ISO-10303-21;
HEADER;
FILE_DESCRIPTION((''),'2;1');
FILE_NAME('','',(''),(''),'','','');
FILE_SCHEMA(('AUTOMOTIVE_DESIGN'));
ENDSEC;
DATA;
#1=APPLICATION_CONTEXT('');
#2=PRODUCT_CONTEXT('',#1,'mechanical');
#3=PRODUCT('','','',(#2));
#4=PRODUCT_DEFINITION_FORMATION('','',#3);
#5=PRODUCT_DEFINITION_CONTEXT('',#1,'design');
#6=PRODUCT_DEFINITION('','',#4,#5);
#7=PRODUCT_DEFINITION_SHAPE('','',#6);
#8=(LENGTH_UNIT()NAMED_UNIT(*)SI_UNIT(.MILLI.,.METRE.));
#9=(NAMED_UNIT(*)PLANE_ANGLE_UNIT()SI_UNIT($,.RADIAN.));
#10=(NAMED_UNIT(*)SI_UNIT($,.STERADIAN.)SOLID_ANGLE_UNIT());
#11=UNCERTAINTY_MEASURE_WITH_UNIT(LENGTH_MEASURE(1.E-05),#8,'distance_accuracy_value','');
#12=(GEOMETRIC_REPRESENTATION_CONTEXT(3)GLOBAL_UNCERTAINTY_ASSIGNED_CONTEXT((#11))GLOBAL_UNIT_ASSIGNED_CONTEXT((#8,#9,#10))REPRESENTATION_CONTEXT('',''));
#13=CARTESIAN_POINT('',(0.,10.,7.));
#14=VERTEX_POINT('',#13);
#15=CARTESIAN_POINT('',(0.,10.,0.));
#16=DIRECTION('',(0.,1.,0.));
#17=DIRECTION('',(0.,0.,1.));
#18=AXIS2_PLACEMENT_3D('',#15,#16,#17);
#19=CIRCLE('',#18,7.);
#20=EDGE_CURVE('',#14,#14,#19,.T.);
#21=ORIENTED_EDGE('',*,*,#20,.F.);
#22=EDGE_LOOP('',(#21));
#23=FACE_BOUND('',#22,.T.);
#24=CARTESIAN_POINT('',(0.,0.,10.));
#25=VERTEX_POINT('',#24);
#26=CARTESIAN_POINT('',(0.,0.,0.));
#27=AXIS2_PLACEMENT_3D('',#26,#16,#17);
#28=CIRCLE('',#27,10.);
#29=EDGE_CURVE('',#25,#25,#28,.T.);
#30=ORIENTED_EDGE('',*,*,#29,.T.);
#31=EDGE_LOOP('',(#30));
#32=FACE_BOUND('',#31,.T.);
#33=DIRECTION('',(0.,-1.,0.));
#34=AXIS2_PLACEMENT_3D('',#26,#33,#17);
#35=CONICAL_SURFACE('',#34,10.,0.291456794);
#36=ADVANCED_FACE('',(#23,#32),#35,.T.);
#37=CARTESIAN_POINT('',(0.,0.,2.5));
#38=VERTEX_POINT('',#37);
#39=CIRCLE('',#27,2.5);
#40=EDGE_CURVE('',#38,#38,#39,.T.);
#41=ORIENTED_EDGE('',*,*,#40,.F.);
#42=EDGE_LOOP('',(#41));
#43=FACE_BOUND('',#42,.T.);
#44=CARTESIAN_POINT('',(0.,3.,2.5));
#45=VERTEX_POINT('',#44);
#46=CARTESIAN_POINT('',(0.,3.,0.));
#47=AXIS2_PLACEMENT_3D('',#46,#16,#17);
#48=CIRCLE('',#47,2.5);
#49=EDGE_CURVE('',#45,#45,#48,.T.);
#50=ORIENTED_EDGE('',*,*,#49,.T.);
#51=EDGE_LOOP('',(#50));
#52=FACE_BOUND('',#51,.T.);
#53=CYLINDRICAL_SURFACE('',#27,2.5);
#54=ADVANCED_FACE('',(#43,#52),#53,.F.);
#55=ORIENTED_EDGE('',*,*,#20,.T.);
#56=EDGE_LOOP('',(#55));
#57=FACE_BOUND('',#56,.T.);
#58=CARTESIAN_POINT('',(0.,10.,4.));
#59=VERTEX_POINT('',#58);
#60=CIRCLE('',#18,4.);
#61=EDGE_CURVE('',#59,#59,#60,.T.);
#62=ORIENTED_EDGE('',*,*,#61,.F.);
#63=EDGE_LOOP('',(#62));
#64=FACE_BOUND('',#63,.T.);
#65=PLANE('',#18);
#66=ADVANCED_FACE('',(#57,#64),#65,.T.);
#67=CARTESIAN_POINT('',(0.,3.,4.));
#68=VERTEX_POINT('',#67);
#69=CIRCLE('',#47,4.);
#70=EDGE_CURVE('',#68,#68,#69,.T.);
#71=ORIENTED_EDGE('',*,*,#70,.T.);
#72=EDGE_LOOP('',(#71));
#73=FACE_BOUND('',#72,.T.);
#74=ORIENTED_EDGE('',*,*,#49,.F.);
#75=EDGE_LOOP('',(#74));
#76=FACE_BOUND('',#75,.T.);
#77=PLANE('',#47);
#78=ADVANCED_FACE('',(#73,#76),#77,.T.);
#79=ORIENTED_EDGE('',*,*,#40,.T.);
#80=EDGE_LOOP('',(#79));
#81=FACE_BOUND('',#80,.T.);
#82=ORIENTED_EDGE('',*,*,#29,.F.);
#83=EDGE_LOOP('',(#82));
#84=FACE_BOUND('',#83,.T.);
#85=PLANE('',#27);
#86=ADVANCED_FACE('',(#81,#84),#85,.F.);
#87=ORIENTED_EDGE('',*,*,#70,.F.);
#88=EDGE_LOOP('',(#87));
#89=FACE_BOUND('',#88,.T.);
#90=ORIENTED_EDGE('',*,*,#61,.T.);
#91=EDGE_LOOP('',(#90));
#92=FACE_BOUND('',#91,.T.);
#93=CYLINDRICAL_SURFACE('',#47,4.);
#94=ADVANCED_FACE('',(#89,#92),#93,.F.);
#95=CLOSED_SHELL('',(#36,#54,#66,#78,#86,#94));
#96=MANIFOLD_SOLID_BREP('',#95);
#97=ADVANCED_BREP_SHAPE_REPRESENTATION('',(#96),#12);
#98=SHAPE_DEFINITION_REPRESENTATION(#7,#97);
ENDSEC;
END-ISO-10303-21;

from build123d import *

# Parameters (mm, degrees)
SKETCH1_R           = 10
BOSS_EXTRUDE1_DEPTH = 10
BOSS_EXTRUDE1_TAPER = 16.69924423
SKETCH2_R           = 4
CUT_EXTRUDE1_DEPTH  = 7
SKETCH3_R           = 2.5
CUT_EXTRUDE2_DEPTH  = 4.0000001


with BuildPart() as part:
    # Sketch1 → Boss-Extrude1 (new body)
    with BuildSketch(Plane(origin=(0, 0, 0), x_dir=(1, 0, 0), z_dir=(0, 1, 0))):
        Circle(SKETCH1_R)
    extrude(amount=BOSS_EXTRUDE1_DEPTH, taper=BOSS_EXTRUDE1_TAPER)

    # Sketch2 → Cut-Extrude1 (cut)
    with BuildSketch(Plane(origin=(0, 10, 0), x_dir=(1, 0, 0), z_dir=(0, 1, 0))):
        Circle(SKETCH2_R)
    extrude(amount=-CUT_EXTRUDE1_DEPTH, mode=Mode.SUBTRACT)

    # Sketch3 → Cut-Extrude2 (cut, through all)
    with BuildSketch(Plane(origin=(0, 3, 0), x_dir=(1, 0, 0), z_dir=(0, 1, 0))):
        Circle(SKETCH3_R)
    extrude(amount=-CUT_EXTRUDE2_DEPTH, mode=Mode.SUBTRACT)


solid = part.part
